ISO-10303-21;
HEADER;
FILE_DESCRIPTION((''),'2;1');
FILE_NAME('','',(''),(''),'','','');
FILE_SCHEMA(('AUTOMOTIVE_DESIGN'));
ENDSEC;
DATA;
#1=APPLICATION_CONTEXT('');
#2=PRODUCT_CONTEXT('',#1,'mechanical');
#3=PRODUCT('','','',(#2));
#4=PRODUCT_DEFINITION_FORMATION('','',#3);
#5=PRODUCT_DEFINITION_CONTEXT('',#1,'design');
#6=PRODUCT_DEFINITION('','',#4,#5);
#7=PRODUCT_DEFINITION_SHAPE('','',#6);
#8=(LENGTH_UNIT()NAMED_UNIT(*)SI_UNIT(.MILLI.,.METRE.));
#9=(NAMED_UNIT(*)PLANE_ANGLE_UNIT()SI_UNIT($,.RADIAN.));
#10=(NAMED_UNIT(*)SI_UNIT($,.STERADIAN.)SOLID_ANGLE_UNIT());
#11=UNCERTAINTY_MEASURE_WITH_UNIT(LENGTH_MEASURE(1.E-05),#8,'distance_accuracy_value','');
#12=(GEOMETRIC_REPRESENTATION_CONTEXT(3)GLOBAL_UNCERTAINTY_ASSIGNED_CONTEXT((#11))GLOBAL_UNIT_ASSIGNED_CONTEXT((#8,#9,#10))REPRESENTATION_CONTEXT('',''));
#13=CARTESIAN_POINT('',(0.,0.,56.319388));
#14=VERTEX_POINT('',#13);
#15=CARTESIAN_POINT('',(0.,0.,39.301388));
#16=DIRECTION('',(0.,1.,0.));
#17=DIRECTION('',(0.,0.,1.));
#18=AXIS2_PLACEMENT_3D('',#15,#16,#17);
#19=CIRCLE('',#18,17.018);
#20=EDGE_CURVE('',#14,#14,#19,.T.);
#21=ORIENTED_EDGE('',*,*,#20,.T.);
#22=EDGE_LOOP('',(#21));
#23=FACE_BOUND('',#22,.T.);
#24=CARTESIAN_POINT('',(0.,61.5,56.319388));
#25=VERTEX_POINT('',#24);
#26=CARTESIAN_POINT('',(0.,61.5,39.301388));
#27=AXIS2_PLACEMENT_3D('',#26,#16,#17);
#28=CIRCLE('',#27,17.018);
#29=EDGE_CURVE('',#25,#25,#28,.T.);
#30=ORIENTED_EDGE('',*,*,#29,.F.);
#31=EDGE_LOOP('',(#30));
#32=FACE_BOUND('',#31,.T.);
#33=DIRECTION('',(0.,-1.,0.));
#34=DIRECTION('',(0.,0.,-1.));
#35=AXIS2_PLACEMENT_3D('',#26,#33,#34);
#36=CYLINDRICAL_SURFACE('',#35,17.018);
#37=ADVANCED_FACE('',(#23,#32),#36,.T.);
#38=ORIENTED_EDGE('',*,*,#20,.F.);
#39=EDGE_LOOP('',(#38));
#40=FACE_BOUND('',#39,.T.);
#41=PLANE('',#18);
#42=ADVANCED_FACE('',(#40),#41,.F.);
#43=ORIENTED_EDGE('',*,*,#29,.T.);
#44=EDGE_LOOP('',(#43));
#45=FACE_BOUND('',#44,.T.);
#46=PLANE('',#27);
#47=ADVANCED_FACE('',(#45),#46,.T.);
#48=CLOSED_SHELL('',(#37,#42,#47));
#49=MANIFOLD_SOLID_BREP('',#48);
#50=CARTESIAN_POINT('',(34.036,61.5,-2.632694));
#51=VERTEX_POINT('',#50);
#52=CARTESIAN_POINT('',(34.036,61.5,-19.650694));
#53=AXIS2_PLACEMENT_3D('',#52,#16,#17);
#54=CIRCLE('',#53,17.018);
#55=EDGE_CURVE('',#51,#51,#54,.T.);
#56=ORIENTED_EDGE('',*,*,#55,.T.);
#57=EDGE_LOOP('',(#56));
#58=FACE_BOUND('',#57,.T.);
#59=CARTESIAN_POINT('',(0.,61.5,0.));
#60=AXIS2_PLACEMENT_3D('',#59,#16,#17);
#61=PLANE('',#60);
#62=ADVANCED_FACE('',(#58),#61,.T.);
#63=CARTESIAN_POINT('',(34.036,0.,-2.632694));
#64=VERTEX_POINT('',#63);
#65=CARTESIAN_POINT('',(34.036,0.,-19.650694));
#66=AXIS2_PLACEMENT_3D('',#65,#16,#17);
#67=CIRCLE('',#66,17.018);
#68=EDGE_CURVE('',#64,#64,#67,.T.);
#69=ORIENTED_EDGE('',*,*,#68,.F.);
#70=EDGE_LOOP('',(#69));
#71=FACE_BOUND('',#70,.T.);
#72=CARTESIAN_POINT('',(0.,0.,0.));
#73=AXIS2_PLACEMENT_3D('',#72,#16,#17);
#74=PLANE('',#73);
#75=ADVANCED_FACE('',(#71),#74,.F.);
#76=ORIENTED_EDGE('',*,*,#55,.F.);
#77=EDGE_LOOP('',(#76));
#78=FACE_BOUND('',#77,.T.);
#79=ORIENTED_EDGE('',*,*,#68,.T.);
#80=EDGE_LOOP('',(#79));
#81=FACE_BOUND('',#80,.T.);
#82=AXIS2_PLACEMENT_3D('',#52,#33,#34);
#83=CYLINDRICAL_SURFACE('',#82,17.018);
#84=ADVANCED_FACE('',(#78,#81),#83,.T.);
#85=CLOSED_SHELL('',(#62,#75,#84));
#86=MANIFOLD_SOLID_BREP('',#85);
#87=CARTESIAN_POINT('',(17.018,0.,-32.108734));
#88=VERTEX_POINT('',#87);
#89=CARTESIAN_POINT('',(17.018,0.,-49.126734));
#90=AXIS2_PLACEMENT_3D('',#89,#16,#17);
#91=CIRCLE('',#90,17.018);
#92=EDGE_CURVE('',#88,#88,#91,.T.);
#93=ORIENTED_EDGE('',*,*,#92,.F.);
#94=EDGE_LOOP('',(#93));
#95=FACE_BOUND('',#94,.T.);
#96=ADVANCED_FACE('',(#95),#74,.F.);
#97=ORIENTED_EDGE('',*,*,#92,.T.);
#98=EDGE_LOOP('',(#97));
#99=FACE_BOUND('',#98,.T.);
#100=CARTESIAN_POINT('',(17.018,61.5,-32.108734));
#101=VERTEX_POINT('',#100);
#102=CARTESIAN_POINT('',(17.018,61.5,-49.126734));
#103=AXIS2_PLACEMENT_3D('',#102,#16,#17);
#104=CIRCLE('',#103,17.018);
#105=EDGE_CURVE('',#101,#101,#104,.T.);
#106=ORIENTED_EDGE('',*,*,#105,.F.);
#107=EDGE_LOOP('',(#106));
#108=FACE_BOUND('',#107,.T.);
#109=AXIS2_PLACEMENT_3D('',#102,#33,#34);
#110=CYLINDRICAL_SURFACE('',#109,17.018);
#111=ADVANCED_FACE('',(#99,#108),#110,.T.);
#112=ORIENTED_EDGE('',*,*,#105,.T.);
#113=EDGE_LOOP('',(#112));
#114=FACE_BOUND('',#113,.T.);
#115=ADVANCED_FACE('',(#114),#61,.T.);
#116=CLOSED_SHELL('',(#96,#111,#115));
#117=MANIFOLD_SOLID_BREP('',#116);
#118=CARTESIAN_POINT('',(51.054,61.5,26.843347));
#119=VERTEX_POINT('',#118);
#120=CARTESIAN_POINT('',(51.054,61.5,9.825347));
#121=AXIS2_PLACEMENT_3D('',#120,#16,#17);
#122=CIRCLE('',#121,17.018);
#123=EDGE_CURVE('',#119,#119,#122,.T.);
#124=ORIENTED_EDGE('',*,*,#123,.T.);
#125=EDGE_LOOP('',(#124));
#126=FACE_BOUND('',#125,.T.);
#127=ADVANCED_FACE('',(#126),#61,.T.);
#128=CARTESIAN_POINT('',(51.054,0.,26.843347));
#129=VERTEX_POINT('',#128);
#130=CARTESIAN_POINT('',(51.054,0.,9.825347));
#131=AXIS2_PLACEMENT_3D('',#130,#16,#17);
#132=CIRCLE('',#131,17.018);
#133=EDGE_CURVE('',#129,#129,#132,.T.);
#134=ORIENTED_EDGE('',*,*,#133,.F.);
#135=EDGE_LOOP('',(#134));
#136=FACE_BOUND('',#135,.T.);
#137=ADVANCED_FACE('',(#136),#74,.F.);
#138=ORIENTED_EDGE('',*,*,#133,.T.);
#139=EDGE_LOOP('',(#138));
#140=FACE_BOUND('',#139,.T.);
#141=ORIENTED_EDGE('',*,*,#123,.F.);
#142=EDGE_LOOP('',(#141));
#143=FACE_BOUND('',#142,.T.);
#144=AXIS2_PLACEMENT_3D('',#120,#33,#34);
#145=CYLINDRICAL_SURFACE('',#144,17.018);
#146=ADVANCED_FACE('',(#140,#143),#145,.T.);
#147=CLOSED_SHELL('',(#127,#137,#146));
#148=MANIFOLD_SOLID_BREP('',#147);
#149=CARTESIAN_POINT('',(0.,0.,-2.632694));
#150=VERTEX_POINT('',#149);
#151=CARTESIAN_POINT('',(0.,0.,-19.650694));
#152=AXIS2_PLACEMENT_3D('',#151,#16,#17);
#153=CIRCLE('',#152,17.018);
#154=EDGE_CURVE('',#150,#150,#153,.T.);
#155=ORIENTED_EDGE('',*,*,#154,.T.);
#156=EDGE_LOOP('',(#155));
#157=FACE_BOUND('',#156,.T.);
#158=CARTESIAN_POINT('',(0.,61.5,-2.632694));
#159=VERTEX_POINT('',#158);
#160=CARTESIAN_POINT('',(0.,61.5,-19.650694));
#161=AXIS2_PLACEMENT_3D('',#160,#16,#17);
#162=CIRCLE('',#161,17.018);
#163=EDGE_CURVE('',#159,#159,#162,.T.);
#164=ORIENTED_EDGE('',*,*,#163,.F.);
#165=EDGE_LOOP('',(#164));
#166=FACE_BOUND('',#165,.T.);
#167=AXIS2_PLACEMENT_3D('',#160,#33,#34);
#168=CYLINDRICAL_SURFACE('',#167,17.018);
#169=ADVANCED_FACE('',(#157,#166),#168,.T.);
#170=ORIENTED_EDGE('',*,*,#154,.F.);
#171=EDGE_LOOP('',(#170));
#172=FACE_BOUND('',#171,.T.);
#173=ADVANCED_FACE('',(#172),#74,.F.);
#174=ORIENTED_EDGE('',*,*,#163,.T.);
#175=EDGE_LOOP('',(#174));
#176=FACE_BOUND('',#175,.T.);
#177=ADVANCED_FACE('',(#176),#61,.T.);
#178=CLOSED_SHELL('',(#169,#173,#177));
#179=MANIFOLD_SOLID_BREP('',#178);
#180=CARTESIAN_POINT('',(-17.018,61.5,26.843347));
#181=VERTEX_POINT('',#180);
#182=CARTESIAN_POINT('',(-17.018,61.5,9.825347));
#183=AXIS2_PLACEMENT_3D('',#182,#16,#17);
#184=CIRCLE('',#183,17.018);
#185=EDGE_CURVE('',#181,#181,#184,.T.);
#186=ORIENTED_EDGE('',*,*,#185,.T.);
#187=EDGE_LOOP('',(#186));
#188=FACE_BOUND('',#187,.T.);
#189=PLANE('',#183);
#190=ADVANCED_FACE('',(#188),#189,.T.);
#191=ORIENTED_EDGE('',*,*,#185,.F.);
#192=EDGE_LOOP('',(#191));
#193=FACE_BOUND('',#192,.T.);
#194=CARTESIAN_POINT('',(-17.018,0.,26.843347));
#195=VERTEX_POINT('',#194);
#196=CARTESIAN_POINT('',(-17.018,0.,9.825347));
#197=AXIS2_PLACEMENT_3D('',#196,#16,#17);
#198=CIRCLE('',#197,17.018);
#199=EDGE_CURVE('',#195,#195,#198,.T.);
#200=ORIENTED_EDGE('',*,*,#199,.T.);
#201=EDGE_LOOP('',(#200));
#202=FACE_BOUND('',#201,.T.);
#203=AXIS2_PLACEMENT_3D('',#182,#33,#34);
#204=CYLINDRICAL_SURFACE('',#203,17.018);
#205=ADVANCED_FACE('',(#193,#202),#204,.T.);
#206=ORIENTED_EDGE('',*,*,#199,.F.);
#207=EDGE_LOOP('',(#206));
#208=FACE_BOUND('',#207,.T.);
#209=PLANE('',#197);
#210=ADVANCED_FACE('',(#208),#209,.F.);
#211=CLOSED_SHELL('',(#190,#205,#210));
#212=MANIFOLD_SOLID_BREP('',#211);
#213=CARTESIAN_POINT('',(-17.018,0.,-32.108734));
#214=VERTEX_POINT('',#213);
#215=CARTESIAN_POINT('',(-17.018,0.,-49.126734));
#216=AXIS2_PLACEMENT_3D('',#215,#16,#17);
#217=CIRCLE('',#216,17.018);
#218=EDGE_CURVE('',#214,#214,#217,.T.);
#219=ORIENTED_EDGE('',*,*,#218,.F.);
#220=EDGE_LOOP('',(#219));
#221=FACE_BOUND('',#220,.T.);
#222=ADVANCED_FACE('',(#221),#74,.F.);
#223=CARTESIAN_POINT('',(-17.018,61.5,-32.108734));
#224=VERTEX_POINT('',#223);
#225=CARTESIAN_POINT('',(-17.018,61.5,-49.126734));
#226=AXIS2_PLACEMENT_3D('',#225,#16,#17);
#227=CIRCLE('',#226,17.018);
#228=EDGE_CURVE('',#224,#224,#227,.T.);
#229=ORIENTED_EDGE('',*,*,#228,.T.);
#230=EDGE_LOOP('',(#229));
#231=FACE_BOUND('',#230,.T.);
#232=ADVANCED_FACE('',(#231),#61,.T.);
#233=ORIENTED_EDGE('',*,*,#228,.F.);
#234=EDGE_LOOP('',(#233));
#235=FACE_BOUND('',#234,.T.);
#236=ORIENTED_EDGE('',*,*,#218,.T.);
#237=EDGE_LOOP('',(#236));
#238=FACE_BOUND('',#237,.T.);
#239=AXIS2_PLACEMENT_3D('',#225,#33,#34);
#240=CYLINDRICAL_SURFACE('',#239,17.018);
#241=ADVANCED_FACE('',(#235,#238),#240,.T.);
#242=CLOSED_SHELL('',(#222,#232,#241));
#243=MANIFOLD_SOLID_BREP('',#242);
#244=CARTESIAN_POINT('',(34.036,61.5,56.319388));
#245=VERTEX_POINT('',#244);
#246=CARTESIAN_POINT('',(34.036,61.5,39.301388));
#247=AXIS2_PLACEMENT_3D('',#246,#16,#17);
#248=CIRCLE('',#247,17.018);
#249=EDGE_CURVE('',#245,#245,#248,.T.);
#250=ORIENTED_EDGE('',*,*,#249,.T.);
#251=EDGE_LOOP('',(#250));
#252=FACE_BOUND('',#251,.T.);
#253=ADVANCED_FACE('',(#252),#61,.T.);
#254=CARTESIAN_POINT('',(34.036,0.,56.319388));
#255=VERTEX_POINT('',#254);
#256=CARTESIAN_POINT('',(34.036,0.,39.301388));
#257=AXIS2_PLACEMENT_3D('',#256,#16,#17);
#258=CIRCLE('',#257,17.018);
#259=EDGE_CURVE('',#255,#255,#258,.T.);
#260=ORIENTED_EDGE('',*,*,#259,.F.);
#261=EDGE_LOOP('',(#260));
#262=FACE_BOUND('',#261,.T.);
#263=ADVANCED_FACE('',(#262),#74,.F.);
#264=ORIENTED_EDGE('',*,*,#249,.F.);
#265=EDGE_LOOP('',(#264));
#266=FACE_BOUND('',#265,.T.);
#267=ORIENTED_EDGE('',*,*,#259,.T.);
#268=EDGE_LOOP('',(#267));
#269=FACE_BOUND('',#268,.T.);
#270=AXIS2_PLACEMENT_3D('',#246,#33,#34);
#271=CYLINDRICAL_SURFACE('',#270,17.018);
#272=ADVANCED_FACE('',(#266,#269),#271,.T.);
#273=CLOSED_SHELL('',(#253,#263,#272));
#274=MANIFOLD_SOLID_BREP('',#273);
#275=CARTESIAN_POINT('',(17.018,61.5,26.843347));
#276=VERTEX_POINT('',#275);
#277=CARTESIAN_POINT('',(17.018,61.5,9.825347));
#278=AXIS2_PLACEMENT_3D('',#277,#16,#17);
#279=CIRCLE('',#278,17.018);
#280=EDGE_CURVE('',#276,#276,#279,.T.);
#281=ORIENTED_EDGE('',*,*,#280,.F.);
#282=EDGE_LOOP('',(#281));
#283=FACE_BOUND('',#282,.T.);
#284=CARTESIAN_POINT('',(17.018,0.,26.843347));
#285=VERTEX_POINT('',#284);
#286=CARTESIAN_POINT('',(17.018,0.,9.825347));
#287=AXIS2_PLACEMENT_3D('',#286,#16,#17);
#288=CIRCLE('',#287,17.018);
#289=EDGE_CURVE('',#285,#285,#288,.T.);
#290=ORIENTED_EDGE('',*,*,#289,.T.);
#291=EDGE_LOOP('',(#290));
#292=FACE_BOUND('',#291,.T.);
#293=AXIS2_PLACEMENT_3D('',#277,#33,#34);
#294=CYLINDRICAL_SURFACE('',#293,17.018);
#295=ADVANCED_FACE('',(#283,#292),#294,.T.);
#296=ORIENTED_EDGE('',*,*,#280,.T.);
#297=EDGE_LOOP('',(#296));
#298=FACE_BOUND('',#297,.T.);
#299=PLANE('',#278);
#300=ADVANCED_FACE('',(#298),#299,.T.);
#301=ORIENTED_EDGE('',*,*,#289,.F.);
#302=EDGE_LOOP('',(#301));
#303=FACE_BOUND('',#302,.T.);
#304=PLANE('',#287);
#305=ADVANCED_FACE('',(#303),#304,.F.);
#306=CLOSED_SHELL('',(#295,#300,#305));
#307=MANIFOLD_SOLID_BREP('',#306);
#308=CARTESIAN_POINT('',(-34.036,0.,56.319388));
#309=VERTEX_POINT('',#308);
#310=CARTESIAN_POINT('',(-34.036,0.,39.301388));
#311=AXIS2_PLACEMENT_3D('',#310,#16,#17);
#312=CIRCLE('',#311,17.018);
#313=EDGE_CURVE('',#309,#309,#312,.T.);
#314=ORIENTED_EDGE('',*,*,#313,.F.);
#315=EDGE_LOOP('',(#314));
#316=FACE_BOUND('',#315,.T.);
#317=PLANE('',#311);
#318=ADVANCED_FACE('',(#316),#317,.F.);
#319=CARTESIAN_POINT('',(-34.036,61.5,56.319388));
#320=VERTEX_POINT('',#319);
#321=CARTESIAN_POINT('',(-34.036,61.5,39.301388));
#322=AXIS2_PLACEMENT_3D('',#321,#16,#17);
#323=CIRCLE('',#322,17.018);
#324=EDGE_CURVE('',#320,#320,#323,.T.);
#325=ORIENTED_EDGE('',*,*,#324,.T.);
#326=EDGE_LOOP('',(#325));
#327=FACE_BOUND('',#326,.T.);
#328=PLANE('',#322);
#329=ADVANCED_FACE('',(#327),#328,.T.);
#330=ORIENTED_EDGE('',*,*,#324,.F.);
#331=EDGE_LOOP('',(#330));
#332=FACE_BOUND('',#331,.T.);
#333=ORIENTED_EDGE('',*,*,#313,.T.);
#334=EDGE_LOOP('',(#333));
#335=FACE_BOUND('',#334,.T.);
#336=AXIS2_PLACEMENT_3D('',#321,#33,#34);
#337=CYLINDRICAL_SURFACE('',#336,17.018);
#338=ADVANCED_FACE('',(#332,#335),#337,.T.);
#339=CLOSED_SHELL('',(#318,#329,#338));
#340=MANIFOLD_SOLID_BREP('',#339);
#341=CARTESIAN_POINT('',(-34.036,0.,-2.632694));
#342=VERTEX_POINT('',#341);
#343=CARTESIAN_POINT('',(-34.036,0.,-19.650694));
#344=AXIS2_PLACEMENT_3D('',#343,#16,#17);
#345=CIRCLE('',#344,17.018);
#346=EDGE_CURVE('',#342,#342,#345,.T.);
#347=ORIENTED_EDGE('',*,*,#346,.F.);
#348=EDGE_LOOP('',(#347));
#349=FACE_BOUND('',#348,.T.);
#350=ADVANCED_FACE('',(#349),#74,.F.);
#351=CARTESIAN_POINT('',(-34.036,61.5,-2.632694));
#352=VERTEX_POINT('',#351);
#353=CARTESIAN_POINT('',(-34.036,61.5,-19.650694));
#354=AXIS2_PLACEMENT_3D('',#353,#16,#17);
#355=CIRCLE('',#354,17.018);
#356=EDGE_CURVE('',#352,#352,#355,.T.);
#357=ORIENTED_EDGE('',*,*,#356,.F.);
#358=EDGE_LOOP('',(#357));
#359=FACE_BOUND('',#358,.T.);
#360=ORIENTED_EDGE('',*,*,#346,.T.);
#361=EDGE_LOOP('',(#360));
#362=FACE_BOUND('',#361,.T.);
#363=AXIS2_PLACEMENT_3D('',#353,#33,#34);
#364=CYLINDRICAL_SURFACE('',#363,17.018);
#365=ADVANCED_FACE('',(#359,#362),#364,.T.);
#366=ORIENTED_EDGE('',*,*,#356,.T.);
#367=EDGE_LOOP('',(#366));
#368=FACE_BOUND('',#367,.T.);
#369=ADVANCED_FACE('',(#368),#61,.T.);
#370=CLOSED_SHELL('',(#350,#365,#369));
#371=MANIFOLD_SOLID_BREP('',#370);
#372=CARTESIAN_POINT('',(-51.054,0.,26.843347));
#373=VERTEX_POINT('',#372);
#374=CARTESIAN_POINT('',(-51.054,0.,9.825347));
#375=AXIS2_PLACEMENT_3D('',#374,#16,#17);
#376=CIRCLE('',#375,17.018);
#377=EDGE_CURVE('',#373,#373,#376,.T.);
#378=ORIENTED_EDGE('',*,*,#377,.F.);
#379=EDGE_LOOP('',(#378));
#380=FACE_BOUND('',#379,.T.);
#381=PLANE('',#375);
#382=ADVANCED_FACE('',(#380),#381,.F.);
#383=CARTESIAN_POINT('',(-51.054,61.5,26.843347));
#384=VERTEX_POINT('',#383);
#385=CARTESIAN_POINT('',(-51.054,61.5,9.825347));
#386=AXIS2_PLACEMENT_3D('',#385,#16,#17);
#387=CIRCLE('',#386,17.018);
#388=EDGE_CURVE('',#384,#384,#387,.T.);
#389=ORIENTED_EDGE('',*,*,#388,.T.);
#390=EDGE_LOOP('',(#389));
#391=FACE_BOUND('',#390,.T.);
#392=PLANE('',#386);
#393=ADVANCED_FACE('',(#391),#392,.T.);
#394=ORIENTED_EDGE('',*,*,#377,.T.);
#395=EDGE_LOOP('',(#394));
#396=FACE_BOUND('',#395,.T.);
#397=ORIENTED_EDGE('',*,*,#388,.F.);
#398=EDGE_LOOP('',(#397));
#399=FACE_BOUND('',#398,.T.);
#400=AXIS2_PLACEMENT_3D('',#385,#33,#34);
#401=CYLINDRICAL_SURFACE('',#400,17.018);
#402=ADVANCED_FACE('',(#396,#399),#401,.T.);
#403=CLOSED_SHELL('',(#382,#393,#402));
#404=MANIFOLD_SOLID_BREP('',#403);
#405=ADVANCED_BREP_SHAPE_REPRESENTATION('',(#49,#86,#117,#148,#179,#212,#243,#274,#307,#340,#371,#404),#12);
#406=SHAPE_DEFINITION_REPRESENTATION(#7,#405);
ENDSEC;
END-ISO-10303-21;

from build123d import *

# Parameters (mm, degrees)
SKETCH1_R              = 17.018
BOSS_EXTRUDE1_DEPTH    = 61.5
BOSS_EXTRUDE1_2_DEPTH  = 61.5
BOSS_EXTRUDE1_3_DEPTH  = 61.5
BOSS_EXTRUDE1_4_DEPTH  = 61.5
BOSS_EXTRUDE1_5_DEPTH  = 61.5
BOSS_EXTRUDE1_6_DEPTH  = 61.5
BOSS_EXTRUDE1_7_DEPTH  = 61.5
BOSS_EXTRUDE1_8_DEPTH  = 61.5
BOSS_EXTRUDE1_9_DEPTH  = 61.5
BOSS_EXTRUDE1_10_DEPTH = 61.5
BOSS_EXTRUDE1_11_DEPTH = 61.5
BOSS_EXTRUDE1_12_DEPTH = 61.5


with BuildPart() as part:
    # Sketch1 → Boss-Extrude1 (new body)
    with BuildSketch(Plane(origin=(0, 0, 0), x_dir=(1, 0, 0), z_dir=(0, 1, 0))):
        with Locations(Location((34.036, -39.301387524, 0), (0, 0, 270))):
            Circle(SKETCH1_R)
    extrude(amount=BOSS_EXTRUDE1_DEPTH)


with BuildPart() as body_2:
    # Sketch1 → Boss-Extrude1 2 (new body)
    with BuildSketch(Plane(origin=(0, 0, 0), x_dir=(1, 0, 0), z_dir=(0, 1, 0))):
        with Locations(Location((51.054, -9.825346881, 0), (0, 0, 270))):
            Circle(SKETCH1_R)
    extrude(amount=BOSS_EXTRUDE1_2_DEPTH)


with BuildPart() as body_3:
    # Sketch1 → Boss-Extrude1 3 (new body)
    with BuildSketch(Plane(origin=(0, 0, 0), x_dir=(1, 0, 0), z_dir=(0, 1, 0))):
        with Locations(Location((34.036, 19.650693762, 0), (0, 0, 270))):
            Circle(SKETCH1_R)
    extrude(amount=BOSS_EXTRUDE1_3_DEPTH)


with BuildPart() as body_4:
    # Sketch1 → Boss-Extrude1 4 (new body)
    with BuildSketch(Plane(origin=(0, 0, 0), x_dir=(1, 0, 0), z_dir=(0, 1, 0))):
        with Locations(Location((17.018, 49.126734405, 0), (0, 0, 270))):
            Circle(SKETCH1_R)
    extrude(amount=BOSS_EXTRUDE1_4_DEPTH)


with BuildPart() as body_5:
    # Sketch1 → Boss-Extrude1 5 (new body)
    with BuildSketch(Plane(origin=(0, 0, 0), x_dir=(1, 0, 0), z_dir=(0, 1, 0))):
        with Locations(Location((-17.018, 49.126734405, 0), (0, 0, 270))):
            Circle(SKETCH1_R)
    extrude(amount=BOSS_EXTRUDE1_5_DEPTH)


with BuildPart() as body_6:
    # Sketch1 → Boss-Extrude1 6 (new body)
    with BuildSketch(Plane(origin=(0, 0, 0), x_dir=(1, 0, 0), z_dir=(0, 1, 0))):
        with Locations(Location((-34.036, 19.650693762, 0), (0, 0, 270))):
            Circle(SKETCH1_R)
    extrude(amount=BOSS_EXTRUDE1_6_DEPTH)


with BuildPart() as body_7:
    # Sketch1 → Boss-Extrude1 7 (new body)
    with BuildSketch(Plane(origin=(0, 0, 0), x_dir=(1, 0, 0), z_dir=(0, 1, 0))):
        with Locations(Location((0, 19.650693762, 0), (0, 0, 270))):
            Circle(SKETCH1_R)
    extrude(amount=BOSS_EXTRUDE1_7_DEPTH)


with BuildPart() as body_8:
    # Sketch1 → Boss-Extrude1 8 (new body)
    with BuildSketch(Plane(origin=(0, 0, 0), x_dir=(1, 0, 0), z_dir=(0, 1, 0))):
        with Locations(Location((-17.018, -9.825346881, 0), (0, 0, 270))):
            Circle(SKETCH1_R)
    extrude(amount=BOSS_EXTRUDE1_8_DEPTH)


with BuildPart() as body_9:
    # Sketch1 → Boss-Extrude1 9 (new body)
    with BuildSketch(Plane(origin=(0, 0, 0), x_dir=(1, 0, 0), z_dir=(0, 1, 0))):
        with Locations(Location((-51.054, -9.825346881, 0), (0, 0, 270))):
            Circle(SKETCH1_R)
    extrude(amount=BOSS_EXTRUDE1_9_DEPTH)


with BuildPart() as body_10:
    # Sketch1 → Boss-Extrude1 10 (new body)
    with BuildSketch(Plane(origin=(0, 0, 0), x_dir=(1, 0, 0), z_dir=(0, 1, 0))):
        with Locations(Location((-34.036, -39.301387524, 0), (0, 0, 270))):
            Circle(SKETCH1_R)
    extrude(amount=BOSS_EXTRUDE1_10_DEPTH)


with BuildPart() as body_11:
    # Sketch1 → Boss-Extrude1 11 (new body)
    with BuildSketch(Plane(origin=(0, 0, 0), x_dir=(1, 0, 0), z_dir=(0, 1, 0))):
        with Locations(Location((0, -39.301387524, 0), (0, 0, 270))):
            Circle(SKETCH1_R)
    extrude(amount=BOSS_EXTRUDE1_11_DEPTH)


with BuildPart() as body_12:
    # Sketch1 → Boss-Extrude1 12 (new body)
    with BuildSketch(Plane(origin=(0, 0, 0), x_dir=(1, 0, 0), z_dir=(0, 1, 0))):
        with Locations(Location((17.018, -9.825346881, 0), (0, 0, 270))):
            Circle(SKETCH1_R)
    extrude(amount=BOSS_EXTRUDE1_12_DEPTH)


solid = Compound([part.part, body_2.part, body_3.part, body_4.part, body_5.part, body_6.part, body_7.part, body_8.part, body_9.part, body_10.part, body_11.part, body_12.part])
